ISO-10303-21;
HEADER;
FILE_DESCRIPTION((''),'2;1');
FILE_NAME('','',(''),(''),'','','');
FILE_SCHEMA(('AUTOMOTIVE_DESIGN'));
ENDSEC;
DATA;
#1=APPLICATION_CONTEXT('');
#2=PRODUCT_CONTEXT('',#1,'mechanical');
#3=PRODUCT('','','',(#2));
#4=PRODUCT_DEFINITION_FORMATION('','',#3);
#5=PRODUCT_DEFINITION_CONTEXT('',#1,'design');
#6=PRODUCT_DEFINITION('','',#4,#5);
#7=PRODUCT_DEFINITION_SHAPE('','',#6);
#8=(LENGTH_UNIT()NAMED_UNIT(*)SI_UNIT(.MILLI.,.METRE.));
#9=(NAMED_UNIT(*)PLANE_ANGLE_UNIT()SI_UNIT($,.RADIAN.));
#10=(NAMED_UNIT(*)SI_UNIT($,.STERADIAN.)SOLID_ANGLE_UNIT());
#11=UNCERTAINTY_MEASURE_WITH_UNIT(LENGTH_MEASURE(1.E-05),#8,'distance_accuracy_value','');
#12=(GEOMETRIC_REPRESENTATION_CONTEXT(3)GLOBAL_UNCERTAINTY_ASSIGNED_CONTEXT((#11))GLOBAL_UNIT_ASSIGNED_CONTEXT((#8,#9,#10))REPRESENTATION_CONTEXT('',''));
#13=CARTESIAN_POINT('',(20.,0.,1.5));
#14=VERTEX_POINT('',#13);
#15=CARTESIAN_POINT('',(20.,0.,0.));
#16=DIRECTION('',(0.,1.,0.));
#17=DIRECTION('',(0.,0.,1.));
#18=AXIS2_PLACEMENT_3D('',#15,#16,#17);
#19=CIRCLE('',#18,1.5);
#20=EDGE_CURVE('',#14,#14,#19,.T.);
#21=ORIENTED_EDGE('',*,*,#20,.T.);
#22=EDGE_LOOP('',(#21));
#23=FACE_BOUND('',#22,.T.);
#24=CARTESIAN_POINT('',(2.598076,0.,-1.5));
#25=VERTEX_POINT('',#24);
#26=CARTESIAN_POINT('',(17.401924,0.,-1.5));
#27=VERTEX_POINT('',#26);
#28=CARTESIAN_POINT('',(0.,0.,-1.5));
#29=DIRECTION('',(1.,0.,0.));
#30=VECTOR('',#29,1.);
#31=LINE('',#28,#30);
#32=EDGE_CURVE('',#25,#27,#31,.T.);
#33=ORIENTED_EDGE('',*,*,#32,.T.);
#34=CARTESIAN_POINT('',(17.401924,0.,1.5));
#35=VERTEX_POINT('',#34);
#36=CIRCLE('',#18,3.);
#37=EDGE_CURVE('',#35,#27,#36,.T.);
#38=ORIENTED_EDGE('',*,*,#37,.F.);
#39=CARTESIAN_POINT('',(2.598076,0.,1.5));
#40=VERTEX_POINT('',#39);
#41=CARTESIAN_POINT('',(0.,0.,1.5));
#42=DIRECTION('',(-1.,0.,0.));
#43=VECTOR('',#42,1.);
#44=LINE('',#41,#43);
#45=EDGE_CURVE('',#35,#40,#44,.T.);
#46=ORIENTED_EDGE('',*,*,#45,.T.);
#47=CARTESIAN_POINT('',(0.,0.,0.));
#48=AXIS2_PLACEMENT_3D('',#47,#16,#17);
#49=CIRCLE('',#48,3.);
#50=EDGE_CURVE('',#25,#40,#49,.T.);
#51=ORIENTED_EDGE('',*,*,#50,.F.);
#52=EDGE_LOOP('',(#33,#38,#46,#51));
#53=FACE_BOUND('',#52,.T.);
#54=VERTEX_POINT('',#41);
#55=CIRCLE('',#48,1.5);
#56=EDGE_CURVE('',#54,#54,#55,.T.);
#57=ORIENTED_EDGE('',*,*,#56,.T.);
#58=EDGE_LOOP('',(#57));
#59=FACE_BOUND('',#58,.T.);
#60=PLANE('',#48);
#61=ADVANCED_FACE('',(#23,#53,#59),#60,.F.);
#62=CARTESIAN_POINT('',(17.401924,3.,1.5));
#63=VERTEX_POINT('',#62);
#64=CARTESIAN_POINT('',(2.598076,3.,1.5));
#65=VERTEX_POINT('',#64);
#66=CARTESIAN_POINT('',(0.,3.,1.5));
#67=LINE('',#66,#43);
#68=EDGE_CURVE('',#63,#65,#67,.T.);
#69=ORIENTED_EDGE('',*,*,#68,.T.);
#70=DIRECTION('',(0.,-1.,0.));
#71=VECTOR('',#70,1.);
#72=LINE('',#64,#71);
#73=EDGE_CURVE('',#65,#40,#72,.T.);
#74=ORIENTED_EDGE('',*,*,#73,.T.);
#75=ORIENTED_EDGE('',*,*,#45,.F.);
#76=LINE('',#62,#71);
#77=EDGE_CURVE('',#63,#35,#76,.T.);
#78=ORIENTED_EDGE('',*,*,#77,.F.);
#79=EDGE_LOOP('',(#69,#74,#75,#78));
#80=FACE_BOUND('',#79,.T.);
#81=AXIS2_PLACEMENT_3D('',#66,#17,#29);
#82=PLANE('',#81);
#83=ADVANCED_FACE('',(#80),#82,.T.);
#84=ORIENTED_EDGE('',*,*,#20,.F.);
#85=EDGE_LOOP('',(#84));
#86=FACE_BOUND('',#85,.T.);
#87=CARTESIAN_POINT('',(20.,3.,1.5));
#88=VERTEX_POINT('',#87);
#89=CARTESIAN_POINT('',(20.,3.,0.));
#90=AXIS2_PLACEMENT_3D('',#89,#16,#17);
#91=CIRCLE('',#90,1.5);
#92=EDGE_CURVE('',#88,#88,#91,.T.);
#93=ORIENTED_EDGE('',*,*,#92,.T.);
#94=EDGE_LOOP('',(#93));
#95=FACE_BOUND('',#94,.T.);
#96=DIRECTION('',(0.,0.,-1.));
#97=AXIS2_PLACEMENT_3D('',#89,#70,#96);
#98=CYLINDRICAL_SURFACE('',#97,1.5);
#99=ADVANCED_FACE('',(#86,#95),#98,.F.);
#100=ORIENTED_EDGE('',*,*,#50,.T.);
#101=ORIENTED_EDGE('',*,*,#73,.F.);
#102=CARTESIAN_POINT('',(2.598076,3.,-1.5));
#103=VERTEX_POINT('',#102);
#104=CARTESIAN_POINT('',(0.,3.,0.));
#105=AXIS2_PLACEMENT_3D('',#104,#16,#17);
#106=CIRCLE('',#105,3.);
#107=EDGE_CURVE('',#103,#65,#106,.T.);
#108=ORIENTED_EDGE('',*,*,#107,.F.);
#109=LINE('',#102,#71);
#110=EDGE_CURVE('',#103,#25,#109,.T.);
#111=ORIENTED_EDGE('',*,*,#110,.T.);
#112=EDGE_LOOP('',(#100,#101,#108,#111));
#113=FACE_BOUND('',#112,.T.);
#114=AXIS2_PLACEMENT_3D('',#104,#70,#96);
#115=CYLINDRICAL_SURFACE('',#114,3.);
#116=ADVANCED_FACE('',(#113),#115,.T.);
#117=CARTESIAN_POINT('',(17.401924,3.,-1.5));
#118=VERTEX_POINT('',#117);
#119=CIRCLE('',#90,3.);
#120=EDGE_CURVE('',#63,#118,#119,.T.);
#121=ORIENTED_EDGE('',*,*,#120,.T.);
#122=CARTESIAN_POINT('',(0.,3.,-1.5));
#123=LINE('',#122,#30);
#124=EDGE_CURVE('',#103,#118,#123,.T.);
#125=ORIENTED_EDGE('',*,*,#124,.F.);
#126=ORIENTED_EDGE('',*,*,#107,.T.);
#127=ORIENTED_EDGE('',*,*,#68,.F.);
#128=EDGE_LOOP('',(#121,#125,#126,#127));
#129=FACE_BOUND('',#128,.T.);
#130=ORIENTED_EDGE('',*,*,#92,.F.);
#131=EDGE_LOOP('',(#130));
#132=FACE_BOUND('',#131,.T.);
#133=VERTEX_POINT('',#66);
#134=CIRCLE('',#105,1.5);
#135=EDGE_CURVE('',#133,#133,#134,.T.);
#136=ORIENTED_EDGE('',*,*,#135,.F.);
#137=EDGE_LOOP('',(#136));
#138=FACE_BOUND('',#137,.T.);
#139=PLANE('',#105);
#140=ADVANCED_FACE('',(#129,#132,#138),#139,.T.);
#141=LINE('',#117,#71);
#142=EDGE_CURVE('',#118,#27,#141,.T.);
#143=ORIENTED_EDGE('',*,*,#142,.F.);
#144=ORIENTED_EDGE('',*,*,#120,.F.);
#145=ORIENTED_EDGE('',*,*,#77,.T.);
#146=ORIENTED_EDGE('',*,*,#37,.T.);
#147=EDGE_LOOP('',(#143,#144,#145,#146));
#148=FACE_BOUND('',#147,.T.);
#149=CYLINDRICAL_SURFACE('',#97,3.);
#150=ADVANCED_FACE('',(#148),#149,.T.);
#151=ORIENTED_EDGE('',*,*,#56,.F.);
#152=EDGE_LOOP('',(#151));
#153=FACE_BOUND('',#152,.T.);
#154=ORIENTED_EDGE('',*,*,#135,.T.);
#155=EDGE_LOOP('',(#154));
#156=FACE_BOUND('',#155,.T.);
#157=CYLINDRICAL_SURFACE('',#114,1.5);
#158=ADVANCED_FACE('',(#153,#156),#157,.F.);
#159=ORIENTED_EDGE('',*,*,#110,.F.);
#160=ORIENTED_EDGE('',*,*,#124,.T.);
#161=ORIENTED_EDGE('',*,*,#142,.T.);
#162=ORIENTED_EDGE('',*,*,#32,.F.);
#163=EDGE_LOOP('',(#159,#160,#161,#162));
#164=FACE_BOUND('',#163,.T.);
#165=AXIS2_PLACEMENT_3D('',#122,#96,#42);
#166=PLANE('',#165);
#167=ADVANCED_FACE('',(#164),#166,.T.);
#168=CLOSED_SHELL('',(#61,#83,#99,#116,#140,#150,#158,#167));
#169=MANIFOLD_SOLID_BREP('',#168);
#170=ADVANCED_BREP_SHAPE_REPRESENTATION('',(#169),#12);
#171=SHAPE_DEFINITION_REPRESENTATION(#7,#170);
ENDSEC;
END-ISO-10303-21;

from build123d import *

# Parameters (mm, degrees)
SKETCH1_R           = 1.5
BOSS_EXTRUDE1_DEPTH = 3


with BuildPart() as part:
    # Sketch1 → Boss-Extrude1 (new body)
    with BuildSketch(Plane(origin=(0, 0, 0), x_dir=(1, 0, 0), z_dir=(0, 1, 0))):
        with BuildLine():
            Line((2.598076211, 1.5), (17.401923789, 1.5))
            ThreePointArc((17.401923789, 1.5), (23, 0), (17.401923789, -1.5))
            Line((17.401923789, -1.5), (2.598076211, -1.5))
            ThreePointArc((2.598076211, -1.5), (-3, 0), (2.598076211, 1.5))
        make_face()
        Circle(SKETCH1_R, mode=Mode.SUBTRACT)
        with Locations((20, 0)):
            Circle(SKETCH1_R, mode=Mode.SUBTRACT)
    extrude(amount=BOSS_EXTRUDE1_DEPTH)


solid = part.part
